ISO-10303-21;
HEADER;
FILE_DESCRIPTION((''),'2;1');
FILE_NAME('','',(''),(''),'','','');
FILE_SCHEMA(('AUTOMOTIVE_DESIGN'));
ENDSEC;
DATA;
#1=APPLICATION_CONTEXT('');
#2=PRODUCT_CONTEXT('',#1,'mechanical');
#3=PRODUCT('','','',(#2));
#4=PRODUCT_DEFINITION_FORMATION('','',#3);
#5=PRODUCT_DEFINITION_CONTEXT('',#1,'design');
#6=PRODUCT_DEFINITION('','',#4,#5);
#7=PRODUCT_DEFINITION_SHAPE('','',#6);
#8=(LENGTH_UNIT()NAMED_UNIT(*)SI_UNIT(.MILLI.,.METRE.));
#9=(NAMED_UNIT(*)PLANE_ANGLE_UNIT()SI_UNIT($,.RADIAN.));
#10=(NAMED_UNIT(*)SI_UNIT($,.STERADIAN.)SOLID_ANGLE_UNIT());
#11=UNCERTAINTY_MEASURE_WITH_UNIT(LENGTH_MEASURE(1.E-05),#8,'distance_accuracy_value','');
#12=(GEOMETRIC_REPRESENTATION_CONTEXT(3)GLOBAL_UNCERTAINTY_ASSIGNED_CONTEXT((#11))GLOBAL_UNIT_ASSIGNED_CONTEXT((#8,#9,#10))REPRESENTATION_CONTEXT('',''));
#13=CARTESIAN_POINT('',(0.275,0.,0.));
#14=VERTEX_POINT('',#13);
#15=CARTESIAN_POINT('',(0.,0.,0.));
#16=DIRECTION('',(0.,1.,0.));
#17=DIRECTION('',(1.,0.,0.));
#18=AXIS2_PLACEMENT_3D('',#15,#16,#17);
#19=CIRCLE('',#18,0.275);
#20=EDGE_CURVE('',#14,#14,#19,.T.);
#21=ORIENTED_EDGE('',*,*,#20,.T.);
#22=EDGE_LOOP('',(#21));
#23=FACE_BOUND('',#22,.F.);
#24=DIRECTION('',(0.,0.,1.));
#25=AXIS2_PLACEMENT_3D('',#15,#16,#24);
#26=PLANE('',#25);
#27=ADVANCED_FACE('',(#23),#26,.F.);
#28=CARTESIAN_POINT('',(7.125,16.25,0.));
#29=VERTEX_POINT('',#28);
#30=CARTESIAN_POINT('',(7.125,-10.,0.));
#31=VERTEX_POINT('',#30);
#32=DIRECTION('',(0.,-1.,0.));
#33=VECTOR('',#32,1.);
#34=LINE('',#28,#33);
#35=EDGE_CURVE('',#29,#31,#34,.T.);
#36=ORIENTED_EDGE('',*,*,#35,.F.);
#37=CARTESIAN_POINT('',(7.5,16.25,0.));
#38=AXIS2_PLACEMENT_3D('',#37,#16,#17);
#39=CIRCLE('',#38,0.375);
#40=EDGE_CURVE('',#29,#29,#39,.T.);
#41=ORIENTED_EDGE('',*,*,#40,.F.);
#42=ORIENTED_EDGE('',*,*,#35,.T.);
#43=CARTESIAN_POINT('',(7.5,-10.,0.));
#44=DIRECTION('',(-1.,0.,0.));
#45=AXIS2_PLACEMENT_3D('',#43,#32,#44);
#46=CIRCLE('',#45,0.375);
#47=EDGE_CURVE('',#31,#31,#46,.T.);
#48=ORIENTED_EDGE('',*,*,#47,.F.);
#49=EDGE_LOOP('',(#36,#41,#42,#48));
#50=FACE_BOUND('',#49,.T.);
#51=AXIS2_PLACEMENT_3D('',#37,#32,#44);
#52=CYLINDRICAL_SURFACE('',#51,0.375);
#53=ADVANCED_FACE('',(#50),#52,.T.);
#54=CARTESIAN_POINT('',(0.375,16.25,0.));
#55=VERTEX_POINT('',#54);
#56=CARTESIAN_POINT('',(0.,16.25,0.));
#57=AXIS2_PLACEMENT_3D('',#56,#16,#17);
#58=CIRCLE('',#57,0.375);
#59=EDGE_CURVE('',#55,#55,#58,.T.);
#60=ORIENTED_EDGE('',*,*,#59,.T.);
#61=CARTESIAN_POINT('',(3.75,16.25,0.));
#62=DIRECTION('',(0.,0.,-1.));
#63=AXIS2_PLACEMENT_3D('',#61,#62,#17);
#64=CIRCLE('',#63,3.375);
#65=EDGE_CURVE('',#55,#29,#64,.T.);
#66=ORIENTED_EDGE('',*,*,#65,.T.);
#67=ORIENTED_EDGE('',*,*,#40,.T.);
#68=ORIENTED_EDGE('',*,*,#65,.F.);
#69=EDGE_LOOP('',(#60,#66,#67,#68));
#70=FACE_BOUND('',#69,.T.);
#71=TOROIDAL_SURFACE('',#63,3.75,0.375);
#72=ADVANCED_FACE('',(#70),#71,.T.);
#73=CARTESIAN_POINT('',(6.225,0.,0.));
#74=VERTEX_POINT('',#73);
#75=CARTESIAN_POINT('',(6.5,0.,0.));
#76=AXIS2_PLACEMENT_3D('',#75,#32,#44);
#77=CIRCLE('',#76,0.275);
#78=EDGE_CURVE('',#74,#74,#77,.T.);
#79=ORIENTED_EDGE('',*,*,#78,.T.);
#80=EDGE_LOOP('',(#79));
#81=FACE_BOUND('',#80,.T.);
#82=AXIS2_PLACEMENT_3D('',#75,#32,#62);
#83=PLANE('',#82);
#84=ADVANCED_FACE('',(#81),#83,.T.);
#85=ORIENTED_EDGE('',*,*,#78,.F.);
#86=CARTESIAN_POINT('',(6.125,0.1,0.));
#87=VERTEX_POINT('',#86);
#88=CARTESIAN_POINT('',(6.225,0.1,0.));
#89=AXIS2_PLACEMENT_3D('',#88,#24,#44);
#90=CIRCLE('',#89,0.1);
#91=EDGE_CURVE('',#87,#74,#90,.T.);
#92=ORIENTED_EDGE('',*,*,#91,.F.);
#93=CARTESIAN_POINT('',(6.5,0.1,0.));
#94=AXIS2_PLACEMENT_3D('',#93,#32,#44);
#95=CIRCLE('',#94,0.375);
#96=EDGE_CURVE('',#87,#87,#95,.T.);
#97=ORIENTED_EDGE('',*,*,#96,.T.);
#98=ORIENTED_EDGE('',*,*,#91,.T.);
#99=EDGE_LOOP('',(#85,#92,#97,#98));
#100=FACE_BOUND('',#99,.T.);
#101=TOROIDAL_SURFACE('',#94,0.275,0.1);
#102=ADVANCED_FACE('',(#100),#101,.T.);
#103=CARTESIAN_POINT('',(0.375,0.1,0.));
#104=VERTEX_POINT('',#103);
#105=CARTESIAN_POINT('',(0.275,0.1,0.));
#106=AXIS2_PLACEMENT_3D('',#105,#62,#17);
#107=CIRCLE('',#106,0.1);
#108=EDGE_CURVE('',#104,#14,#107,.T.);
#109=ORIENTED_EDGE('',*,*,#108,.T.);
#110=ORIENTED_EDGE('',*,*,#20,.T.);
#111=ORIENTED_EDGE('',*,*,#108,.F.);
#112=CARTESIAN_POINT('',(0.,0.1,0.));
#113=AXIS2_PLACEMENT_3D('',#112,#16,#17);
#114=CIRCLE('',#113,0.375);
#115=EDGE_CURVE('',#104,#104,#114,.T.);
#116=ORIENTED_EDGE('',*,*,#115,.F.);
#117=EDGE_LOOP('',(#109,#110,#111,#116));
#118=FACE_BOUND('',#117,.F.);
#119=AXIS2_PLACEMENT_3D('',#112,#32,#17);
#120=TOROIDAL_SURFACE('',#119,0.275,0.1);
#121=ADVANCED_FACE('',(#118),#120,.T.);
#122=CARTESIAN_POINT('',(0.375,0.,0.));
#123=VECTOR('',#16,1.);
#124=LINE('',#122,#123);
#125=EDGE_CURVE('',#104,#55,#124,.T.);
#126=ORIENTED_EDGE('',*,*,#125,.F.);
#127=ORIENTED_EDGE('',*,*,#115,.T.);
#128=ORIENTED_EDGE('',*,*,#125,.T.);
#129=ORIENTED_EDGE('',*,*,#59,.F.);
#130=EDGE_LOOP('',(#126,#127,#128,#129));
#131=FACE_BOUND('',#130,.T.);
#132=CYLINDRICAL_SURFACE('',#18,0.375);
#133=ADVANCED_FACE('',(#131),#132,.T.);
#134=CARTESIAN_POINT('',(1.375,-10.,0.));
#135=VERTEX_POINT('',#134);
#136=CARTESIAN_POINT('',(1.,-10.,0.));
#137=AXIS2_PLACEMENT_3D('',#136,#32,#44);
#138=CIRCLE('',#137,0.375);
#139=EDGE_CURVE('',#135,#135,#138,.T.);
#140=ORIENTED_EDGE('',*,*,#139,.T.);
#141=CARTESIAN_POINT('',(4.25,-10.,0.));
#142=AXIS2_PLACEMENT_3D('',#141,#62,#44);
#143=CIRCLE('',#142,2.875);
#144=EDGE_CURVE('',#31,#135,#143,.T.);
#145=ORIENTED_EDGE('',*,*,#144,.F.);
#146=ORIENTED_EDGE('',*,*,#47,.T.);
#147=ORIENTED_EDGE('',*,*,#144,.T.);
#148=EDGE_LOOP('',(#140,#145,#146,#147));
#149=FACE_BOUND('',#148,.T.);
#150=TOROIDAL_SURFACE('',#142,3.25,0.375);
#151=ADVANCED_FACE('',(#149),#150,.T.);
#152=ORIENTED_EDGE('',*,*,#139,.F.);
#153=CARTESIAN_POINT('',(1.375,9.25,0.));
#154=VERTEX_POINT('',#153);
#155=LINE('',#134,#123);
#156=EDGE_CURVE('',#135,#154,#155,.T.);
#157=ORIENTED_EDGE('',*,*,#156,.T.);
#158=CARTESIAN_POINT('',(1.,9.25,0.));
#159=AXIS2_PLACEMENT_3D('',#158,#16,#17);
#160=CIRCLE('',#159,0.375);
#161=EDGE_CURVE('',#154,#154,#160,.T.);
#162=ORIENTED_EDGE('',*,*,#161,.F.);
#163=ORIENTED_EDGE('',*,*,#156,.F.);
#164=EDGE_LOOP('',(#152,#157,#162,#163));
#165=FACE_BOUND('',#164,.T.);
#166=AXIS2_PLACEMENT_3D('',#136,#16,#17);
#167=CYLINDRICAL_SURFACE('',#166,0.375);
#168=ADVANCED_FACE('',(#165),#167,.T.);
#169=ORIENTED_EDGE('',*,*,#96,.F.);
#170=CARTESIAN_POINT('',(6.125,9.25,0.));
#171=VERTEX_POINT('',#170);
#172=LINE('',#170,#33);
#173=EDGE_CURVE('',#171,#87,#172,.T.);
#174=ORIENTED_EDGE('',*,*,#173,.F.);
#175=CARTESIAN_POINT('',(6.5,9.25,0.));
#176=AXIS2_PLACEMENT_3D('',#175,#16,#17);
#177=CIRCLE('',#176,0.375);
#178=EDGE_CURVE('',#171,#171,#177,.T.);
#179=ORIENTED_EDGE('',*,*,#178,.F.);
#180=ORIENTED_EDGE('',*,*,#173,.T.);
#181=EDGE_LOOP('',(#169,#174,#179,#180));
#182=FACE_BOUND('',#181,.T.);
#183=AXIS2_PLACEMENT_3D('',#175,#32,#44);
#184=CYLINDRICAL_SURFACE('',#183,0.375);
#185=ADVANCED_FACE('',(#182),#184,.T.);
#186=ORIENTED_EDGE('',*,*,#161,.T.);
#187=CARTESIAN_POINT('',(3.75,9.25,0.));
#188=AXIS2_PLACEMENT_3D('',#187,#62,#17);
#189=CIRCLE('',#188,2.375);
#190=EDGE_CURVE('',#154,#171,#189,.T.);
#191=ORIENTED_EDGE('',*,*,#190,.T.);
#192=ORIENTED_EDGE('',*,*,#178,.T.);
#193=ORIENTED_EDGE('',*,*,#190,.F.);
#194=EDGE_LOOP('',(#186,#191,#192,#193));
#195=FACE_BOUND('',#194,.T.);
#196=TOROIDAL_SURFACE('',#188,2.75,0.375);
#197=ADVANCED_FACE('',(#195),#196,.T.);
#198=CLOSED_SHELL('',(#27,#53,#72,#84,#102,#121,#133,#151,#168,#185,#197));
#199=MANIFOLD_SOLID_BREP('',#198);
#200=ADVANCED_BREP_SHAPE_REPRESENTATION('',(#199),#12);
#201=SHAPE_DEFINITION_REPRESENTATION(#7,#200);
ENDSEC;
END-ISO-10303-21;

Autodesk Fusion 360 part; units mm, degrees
sketch "Sweep Path" plane through (0, 0, 0) normal (0, 0, 1) x (1, 0, 0)
  line L0 (0, 0) -> (0, 16.25)
  line L1 (0, 16.25) -> (7.5, 16.25) construction
  line L2 (7.5, 16.25) -> (7.5, -10)
  line L3 (7.5, -10) -> (1, -10) construction
  line L4 (1, -10) -> (1, 9.25)
  line L5 (1, 9.25) -> (6.5, 9.25) construction
  line L6 (6.5, 9.25) -> (6.5, 0)
  arc A0 (7.5, 16.25) -> (0, 16.25) centre (3.75, 16.25) ccw
  arc A1 (6.5, 9.25) -> (1, 9.25) centre (3.75, 9.25) ccw
  arc A2 (1, -10) -> (7.5, -10) centre (4.25, -10) ccw
  dimension "d1" = 16.25
  dimension "d2" = 7.5
  dimension "d3" = 26.25
  dimension "d4" = 6.5
  dimension "d5" = 19.25
  dimension "d6" = 5.5
  dimension "d7" = 9.25
sketch "Sketch2" plane through (0, 0, 0) normal (0, 0, 1) x (1, 0, 0)
sketch "Sweep Profile" plane through (0, 0, 0) normal (0, 1, 0) x (1, 0, 0)
  circle A0 centre (0, 0) radius 0.375
  dimension "d8" = 0.75
sweep "Sweep1" add profiles "Sweep Profile" path "Sweep Path" along L0 A0 L2 A2 L4 A1 L6 section 1
fillet "Fillet1" radius 0.1 2 edges at (-0.3496, 0, 0.1356) (6.8496, 0, 0.1356)
